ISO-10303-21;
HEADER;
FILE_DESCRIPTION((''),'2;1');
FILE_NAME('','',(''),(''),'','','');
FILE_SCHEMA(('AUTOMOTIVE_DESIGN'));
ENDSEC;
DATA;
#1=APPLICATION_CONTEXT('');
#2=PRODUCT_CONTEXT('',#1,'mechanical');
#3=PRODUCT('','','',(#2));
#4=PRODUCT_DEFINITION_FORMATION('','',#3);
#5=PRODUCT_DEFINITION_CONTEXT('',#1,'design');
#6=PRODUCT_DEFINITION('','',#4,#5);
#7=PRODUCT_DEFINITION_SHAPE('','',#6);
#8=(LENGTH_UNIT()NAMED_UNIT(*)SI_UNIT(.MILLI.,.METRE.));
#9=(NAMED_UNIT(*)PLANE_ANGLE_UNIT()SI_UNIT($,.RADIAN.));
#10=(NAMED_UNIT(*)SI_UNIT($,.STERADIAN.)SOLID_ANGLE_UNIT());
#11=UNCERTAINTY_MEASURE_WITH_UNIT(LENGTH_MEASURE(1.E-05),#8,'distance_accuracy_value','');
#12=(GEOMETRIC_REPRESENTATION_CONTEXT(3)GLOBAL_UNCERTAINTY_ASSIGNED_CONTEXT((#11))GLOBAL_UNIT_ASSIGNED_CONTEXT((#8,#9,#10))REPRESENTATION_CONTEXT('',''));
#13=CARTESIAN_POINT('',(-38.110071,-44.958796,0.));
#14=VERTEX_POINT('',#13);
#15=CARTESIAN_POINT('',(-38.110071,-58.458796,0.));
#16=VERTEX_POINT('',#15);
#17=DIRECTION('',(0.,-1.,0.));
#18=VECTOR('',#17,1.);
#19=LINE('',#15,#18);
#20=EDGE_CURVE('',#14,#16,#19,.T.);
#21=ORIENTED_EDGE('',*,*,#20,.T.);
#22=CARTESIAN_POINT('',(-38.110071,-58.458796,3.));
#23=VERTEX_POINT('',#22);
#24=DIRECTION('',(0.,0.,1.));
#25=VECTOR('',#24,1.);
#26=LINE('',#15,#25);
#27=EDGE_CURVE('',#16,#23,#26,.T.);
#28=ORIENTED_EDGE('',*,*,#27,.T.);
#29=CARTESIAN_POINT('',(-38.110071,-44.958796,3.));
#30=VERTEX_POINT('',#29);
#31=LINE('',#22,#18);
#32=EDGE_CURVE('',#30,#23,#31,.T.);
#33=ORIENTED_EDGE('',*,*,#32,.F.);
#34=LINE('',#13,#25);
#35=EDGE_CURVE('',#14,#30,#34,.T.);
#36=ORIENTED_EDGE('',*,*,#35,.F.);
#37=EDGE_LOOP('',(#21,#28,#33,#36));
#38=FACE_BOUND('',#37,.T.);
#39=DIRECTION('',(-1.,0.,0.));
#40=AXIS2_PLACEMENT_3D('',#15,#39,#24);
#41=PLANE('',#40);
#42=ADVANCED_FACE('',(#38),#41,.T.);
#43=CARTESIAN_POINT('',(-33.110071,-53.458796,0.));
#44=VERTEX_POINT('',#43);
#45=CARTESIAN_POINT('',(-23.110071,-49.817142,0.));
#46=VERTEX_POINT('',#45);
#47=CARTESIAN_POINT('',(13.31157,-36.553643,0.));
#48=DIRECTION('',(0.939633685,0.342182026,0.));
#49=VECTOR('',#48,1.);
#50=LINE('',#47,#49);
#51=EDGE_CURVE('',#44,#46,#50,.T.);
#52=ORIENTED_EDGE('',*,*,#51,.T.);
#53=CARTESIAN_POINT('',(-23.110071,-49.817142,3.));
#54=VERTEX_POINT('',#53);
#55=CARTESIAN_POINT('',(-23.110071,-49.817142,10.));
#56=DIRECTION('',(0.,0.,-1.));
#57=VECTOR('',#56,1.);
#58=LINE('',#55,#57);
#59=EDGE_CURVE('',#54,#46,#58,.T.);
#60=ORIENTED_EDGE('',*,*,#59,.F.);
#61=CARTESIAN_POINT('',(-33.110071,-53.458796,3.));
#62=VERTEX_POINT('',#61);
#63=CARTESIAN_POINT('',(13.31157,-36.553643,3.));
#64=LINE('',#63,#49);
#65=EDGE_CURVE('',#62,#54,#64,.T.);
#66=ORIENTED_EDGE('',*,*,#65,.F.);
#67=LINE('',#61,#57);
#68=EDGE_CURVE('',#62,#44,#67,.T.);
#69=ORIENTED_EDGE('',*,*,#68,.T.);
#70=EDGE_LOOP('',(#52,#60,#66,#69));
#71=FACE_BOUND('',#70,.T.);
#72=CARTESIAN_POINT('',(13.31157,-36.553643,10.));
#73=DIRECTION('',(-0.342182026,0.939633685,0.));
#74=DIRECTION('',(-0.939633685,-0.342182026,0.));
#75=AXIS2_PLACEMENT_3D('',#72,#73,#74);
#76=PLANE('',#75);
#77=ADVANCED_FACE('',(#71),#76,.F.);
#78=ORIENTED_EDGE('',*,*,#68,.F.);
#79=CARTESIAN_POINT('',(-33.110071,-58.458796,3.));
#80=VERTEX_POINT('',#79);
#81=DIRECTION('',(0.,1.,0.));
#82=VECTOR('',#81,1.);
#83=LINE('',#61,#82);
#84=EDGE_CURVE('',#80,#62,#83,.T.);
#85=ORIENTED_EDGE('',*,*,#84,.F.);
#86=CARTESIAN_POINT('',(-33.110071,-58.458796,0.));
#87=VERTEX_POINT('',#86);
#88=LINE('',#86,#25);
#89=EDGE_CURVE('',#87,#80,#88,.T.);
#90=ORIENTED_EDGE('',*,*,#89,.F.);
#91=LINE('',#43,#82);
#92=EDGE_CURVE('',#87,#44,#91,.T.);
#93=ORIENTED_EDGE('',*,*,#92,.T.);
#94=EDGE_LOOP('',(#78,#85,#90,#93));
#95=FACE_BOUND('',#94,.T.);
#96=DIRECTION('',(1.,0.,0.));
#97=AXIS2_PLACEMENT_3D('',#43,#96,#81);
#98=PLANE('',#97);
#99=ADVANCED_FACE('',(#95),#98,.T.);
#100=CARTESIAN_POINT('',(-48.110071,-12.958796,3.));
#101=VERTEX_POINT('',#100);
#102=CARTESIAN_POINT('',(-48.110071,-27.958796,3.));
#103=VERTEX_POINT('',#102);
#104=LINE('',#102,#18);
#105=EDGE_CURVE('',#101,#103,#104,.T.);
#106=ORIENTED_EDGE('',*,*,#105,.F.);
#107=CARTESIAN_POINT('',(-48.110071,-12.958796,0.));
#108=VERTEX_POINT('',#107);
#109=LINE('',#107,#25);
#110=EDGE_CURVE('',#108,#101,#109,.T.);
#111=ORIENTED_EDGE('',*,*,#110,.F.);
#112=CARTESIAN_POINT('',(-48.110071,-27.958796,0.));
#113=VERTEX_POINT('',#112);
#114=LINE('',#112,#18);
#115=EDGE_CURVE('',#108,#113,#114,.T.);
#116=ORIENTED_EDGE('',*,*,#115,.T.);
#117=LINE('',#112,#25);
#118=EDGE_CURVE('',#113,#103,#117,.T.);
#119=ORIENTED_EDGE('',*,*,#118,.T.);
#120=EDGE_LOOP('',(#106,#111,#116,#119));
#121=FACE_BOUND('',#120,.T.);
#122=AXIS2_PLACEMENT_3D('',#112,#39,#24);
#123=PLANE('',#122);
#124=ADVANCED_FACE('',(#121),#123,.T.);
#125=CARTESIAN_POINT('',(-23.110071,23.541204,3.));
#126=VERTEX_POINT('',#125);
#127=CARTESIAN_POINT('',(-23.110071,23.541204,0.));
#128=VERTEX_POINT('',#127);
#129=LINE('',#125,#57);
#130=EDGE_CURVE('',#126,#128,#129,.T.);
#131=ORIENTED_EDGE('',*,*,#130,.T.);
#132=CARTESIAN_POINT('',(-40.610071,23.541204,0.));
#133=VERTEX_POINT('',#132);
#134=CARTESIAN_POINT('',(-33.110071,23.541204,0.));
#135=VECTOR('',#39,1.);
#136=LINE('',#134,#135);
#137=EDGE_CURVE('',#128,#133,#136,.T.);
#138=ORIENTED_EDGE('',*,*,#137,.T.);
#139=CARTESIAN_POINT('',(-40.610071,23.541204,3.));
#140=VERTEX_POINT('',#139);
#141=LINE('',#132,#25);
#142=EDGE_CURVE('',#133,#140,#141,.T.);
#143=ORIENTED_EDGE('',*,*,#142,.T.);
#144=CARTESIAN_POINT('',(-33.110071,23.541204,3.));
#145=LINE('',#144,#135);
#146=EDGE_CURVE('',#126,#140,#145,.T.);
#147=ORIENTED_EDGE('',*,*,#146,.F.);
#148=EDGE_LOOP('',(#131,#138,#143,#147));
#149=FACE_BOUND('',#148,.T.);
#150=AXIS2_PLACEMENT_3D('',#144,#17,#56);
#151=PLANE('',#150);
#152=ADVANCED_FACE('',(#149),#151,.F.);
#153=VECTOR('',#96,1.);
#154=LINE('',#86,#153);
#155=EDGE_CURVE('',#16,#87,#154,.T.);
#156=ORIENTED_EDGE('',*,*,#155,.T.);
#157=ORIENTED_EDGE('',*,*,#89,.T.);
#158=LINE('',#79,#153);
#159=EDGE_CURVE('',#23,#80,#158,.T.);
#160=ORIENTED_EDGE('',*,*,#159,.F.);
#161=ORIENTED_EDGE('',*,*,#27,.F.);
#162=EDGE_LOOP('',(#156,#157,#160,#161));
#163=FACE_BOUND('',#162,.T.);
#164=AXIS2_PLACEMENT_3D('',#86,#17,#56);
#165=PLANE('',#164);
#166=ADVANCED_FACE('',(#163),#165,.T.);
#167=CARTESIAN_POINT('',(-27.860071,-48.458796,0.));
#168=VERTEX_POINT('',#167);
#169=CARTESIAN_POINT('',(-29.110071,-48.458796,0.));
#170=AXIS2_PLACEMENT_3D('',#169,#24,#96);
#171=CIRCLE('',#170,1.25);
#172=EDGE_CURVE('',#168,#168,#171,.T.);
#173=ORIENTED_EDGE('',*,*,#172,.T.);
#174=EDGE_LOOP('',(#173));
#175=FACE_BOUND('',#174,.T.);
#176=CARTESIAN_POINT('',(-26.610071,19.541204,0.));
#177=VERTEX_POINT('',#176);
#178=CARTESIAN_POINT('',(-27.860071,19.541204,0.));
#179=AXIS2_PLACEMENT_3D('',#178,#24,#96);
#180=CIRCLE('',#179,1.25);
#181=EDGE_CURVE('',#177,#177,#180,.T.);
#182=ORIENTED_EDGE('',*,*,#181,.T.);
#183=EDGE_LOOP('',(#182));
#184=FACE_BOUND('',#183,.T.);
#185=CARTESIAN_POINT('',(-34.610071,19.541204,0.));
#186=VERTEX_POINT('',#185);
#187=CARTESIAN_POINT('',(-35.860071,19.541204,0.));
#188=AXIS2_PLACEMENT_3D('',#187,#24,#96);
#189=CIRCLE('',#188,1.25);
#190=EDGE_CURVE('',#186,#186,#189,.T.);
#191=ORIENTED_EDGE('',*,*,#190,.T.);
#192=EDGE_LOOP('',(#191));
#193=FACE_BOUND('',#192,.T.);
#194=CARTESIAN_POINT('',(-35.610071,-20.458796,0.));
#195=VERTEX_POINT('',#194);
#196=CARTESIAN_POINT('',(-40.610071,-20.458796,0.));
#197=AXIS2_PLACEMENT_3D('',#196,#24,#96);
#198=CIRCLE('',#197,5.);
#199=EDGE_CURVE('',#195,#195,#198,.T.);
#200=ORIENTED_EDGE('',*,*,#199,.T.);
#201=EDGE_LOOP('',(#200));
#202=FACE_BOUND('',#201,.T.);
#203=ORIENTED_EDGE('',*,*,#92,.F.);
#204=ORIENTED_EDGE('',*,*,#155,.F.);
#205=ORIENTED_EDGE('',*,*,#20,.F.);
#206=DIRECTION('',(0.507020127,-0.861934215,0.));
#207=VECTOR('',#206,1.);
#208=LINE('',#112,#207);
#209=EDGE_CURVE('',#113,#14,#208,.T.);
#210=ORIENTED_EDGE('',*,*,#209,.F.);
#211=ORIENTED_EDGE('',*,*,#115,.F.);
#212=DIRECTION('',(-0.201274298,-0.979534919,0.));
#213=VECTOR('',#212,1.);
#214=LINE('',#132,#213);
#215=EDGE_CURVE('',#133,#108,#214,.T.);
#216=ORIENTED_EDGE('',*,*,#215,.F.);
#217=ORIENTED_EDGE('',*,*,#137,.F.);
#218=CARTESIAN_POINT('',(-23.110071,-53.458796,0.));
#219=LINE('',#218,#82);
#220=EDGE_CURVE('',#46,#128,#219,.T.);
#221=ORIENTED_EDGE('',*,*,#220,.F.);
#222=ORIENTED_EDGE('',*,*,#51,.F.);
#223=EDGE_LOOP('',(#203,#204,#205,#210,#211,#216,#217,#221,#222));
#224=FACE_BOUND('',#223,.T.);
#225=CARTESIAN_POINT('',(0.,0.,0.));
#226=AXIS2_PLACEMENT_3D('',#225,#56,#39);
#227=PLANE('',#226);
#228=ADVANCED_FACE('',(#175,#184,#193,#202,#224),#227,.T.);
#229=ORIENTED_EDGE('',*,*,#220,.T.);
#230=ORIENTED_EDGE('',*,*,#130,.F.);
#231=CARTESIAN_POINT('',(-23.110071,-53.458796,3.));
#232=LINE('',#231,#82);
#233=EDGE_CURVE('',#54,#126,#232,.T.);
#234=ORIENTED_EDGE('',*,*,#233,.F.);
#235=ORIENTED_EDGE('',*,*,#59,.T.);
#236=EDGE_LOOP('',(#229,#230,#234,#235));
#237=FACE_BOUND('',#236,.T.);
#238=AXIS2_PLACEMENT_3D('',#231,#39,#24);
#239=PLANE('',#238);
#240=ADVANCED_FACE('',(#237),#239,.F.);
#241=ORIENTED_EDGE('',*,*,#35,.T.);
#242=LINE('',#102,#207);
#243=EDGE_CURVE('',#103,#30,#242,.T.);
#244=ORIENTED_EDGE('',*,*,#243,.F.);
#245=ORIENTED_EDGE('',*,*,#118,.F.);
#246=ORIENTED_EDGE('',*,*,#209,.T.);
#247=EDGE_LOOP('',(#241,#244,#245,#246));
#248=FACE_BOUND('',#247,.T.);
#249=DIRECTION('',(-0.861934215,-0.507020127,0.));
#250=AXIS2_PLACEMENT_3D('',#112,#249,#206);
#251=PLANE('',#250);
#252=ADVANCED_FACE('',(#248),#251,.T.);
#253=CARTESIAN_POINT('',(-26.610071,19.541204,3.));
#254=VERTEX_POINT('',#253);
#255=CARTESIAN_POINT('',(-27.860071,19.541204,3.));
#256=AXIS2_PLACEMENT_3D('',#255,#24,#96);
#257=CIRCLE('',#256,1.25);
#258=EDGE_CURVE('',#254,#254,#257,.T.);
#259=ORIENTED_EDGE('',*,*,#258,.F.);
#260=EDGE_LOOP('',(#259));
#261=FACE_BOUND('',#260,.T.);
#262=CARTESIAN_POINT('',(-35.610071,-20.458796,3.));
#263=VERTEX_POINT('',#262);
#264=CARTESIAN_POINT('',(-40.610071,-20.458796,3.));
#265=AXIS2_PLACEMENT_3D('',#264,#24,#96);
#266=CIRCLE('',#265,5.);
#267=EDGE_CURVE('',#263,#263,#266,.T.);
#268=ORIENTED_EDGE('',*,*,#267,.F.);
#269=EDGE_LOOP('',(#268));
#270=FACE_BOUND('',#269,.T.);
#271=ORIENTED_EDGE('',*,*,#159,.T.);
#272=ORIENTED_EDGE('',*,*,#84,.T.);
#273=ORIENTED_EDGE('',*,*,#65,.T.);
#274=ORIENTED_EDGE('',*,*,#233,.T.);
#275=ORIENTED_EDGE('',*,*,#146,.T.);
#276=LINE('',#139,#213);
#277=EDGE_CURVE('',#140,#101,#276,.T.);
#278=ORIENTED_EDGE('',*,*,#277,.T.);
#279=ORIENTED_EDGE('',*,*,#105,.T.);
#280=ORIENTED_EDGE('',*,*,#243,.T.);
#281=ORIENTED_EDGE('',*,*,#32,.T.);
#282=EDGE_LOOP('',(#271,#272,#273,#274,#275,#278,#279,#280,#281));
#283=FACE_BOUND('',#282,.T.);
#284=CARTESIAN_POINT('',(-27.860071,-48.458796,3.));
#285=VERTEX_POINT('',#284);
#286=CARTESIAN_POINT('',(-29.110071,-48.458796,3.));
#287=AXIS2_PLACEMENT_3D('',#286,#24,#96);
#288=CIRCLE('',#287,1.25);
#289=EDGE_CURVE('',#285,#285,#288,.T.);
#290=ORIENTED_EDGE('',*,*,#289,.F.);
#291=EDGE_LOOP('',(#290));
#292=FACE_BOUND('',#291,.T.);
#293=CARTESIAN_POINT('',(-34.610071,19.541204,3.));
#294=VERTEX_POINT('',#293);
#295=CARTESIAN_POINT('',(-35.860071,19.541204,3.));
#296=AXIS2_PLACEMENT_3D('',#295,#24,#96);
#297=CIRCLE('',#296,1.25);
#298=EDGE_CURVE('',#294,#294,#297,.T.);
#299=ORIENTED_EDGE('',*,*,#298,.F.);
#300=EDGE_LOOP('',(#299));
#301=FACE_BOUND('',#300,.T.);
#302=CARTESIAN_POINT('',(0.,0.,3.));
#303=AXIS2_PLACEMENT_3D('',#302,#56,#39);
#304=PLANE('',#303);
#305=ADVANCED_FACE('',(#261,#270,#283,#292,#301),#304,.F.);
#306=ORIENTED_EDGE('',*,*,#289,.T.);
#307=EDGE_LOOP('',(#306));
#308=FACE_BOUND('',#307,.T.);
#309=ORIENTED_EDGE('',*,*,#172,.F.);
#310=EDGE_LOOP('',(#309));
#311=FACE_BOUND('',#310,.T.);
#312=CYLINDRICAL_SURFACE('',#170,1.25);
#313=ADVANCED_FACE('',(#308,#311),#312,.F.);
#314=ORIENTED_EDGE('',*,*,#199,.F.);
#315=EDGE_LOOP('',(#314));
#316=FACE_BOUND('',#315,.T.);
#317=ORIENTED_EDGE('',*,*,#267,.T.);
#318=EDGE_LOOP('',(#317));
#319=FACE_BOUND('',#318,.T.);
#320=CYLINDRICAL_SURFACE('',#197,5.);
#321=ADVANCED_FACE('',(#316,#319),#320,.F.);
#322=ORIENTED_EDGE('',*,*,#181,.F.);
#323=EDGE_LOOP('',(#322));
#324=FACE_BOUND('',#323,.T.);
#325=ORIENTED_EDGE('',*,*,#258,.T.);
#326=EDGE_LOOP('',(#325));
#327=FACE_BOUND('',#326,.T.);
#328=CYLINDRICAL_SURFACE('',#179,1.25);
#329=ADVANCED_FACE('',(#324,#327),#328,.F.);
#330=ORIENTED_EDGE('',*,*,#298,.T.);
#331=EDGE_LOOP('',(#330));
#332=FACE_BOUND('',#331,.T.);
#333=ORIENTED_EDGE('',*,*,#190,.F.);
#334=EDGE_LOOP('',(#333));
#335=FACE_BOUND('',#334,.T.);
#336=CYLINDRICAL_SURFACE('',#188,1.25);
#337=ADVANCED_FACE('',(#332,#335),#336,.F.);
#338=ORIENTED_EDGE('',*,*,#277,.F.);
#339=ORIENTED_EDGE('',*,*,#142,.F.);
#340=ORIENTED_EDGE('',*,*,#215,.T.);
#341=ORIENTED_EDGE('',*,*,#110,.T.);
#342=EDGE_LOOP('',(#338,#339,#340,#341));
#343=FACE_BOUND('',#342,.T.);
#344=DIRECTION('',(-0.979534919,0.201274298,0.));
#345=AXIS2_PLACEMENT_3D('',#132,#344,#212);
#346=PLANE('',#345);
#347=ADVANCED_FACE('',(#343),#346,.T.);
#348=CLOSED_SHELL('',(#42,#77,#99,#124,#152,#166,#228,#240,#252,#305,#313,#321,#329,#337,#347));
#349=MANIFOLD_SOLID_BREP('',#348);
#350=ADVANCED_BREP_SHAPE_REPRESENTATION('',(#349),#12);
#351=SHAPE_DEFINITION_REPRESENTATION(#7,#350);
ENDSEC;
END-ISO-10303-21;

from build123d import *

# Parameters (mm, degrees)
SKETCH1_W           = 10
SKETCH1_H           = 77
BOSS_EXTRUDE1_DEPTH = 3
SKETCH2_W           = 15
SKETCH2_H           = 15
BOSS_EXTRUDE2_DEPTH = 3
BOSS_EXTRUDE3_DEPTH = 3
BOSS_EXTRUDE4_DEPTH = 3
SKETCH5_R           = 5
SKETCH5_R_2         = 1.25
CUT_EXTRUDE1_DEPTH  = 3
CUT_EXTRUDE2_DEPTH  = 10


with BuildPart() as part:
    # Sketch1 → Boss-Extrude1 (new body)
    with BuildSketch(Plane.XY):
        with Locations((-28.110071178, -14.958795526)):
            Rectangle(SKETCH1_W, SKETCH1_H)
    extrude(amount=BOSS_EXTRUDE1_DEPTH)

    # Sketch2 → Boss-Extrude2 (add)
    with BuildSketch(Plane.XY.offset(3)):
        with Locations((-40.610071178, -20.458795526)):
            Rectangle(SKETCH2_W, SKETCH2_H)
    extrude(amount=-BOSS_EXTRUDE2_DEPTH)

    # Sketch3 → Boss-Extrude3 (add)
    with BuildSketch(Plane.XY.offset(3)):
        Polygon((-33.110071178, 23.541204474), (-40.610071178, 23.541204474), (-48.110071178, -12.958795526), (-33.110071178, -12.958795526), align=None)
        Polygon((-48.110071178, -27.958795526), (-33.110071178, -53.458795526), (-33.110071178, -27.958795526), align=None)
    extrude(amount=-BOSS_EXTRUDE3_DEPTH)

    # Sketch4 → Boss-Extrude4 (add)
    with BuildSketch(Plane.XY.offset(3)):
        Polygon((-33.110071178, -53.458795526), (-33.110071178, -58.458795526), (-38.110071178, -58.458795526), (-38.110071178, -44.958795526), align=None)
    extrude(amount=-BOSS_EXTRUDE4_DEPTH)

    # Sketch5 → Cut-Extrude1 (cut)
    with BuildSketch(Plane.XY.offset(3)):
        with Locations((-40.610071178, -20.458795526)):
            Circle(SKETCH5_R)
        with Locations((-29.110071178, -48.458795526)):
            Circle(SKETCH5_R_2)
        with Locations((-35.860071178, 19.541204474)):
            Circle(SKETCH5_R_2)
        with Locations((-27.860071178, 19.541204474)):
            Circle(SKETCH5_R_2)
    extrude(amount=-CUT_EXTRUDE1_DEPTH, mode=Mode.SUBTRACT)

    # Sketch6 → Cut-Extrude2 (cut)
    with BuildSketch(Plane(origin=(0, 0, 0), x_dir=(-1, 0, 0), z_dir=(0, 0, -1))):
        Polygon((23.110071178, -49.817142067), (23.110071178, -53.458795526), (33.110071178, -53.458795526), align=None)
    extrude(amount=-CUT_EXTRUDE2_DEPTH, mode=Mode.SUBTRACT)


solid = part.part
